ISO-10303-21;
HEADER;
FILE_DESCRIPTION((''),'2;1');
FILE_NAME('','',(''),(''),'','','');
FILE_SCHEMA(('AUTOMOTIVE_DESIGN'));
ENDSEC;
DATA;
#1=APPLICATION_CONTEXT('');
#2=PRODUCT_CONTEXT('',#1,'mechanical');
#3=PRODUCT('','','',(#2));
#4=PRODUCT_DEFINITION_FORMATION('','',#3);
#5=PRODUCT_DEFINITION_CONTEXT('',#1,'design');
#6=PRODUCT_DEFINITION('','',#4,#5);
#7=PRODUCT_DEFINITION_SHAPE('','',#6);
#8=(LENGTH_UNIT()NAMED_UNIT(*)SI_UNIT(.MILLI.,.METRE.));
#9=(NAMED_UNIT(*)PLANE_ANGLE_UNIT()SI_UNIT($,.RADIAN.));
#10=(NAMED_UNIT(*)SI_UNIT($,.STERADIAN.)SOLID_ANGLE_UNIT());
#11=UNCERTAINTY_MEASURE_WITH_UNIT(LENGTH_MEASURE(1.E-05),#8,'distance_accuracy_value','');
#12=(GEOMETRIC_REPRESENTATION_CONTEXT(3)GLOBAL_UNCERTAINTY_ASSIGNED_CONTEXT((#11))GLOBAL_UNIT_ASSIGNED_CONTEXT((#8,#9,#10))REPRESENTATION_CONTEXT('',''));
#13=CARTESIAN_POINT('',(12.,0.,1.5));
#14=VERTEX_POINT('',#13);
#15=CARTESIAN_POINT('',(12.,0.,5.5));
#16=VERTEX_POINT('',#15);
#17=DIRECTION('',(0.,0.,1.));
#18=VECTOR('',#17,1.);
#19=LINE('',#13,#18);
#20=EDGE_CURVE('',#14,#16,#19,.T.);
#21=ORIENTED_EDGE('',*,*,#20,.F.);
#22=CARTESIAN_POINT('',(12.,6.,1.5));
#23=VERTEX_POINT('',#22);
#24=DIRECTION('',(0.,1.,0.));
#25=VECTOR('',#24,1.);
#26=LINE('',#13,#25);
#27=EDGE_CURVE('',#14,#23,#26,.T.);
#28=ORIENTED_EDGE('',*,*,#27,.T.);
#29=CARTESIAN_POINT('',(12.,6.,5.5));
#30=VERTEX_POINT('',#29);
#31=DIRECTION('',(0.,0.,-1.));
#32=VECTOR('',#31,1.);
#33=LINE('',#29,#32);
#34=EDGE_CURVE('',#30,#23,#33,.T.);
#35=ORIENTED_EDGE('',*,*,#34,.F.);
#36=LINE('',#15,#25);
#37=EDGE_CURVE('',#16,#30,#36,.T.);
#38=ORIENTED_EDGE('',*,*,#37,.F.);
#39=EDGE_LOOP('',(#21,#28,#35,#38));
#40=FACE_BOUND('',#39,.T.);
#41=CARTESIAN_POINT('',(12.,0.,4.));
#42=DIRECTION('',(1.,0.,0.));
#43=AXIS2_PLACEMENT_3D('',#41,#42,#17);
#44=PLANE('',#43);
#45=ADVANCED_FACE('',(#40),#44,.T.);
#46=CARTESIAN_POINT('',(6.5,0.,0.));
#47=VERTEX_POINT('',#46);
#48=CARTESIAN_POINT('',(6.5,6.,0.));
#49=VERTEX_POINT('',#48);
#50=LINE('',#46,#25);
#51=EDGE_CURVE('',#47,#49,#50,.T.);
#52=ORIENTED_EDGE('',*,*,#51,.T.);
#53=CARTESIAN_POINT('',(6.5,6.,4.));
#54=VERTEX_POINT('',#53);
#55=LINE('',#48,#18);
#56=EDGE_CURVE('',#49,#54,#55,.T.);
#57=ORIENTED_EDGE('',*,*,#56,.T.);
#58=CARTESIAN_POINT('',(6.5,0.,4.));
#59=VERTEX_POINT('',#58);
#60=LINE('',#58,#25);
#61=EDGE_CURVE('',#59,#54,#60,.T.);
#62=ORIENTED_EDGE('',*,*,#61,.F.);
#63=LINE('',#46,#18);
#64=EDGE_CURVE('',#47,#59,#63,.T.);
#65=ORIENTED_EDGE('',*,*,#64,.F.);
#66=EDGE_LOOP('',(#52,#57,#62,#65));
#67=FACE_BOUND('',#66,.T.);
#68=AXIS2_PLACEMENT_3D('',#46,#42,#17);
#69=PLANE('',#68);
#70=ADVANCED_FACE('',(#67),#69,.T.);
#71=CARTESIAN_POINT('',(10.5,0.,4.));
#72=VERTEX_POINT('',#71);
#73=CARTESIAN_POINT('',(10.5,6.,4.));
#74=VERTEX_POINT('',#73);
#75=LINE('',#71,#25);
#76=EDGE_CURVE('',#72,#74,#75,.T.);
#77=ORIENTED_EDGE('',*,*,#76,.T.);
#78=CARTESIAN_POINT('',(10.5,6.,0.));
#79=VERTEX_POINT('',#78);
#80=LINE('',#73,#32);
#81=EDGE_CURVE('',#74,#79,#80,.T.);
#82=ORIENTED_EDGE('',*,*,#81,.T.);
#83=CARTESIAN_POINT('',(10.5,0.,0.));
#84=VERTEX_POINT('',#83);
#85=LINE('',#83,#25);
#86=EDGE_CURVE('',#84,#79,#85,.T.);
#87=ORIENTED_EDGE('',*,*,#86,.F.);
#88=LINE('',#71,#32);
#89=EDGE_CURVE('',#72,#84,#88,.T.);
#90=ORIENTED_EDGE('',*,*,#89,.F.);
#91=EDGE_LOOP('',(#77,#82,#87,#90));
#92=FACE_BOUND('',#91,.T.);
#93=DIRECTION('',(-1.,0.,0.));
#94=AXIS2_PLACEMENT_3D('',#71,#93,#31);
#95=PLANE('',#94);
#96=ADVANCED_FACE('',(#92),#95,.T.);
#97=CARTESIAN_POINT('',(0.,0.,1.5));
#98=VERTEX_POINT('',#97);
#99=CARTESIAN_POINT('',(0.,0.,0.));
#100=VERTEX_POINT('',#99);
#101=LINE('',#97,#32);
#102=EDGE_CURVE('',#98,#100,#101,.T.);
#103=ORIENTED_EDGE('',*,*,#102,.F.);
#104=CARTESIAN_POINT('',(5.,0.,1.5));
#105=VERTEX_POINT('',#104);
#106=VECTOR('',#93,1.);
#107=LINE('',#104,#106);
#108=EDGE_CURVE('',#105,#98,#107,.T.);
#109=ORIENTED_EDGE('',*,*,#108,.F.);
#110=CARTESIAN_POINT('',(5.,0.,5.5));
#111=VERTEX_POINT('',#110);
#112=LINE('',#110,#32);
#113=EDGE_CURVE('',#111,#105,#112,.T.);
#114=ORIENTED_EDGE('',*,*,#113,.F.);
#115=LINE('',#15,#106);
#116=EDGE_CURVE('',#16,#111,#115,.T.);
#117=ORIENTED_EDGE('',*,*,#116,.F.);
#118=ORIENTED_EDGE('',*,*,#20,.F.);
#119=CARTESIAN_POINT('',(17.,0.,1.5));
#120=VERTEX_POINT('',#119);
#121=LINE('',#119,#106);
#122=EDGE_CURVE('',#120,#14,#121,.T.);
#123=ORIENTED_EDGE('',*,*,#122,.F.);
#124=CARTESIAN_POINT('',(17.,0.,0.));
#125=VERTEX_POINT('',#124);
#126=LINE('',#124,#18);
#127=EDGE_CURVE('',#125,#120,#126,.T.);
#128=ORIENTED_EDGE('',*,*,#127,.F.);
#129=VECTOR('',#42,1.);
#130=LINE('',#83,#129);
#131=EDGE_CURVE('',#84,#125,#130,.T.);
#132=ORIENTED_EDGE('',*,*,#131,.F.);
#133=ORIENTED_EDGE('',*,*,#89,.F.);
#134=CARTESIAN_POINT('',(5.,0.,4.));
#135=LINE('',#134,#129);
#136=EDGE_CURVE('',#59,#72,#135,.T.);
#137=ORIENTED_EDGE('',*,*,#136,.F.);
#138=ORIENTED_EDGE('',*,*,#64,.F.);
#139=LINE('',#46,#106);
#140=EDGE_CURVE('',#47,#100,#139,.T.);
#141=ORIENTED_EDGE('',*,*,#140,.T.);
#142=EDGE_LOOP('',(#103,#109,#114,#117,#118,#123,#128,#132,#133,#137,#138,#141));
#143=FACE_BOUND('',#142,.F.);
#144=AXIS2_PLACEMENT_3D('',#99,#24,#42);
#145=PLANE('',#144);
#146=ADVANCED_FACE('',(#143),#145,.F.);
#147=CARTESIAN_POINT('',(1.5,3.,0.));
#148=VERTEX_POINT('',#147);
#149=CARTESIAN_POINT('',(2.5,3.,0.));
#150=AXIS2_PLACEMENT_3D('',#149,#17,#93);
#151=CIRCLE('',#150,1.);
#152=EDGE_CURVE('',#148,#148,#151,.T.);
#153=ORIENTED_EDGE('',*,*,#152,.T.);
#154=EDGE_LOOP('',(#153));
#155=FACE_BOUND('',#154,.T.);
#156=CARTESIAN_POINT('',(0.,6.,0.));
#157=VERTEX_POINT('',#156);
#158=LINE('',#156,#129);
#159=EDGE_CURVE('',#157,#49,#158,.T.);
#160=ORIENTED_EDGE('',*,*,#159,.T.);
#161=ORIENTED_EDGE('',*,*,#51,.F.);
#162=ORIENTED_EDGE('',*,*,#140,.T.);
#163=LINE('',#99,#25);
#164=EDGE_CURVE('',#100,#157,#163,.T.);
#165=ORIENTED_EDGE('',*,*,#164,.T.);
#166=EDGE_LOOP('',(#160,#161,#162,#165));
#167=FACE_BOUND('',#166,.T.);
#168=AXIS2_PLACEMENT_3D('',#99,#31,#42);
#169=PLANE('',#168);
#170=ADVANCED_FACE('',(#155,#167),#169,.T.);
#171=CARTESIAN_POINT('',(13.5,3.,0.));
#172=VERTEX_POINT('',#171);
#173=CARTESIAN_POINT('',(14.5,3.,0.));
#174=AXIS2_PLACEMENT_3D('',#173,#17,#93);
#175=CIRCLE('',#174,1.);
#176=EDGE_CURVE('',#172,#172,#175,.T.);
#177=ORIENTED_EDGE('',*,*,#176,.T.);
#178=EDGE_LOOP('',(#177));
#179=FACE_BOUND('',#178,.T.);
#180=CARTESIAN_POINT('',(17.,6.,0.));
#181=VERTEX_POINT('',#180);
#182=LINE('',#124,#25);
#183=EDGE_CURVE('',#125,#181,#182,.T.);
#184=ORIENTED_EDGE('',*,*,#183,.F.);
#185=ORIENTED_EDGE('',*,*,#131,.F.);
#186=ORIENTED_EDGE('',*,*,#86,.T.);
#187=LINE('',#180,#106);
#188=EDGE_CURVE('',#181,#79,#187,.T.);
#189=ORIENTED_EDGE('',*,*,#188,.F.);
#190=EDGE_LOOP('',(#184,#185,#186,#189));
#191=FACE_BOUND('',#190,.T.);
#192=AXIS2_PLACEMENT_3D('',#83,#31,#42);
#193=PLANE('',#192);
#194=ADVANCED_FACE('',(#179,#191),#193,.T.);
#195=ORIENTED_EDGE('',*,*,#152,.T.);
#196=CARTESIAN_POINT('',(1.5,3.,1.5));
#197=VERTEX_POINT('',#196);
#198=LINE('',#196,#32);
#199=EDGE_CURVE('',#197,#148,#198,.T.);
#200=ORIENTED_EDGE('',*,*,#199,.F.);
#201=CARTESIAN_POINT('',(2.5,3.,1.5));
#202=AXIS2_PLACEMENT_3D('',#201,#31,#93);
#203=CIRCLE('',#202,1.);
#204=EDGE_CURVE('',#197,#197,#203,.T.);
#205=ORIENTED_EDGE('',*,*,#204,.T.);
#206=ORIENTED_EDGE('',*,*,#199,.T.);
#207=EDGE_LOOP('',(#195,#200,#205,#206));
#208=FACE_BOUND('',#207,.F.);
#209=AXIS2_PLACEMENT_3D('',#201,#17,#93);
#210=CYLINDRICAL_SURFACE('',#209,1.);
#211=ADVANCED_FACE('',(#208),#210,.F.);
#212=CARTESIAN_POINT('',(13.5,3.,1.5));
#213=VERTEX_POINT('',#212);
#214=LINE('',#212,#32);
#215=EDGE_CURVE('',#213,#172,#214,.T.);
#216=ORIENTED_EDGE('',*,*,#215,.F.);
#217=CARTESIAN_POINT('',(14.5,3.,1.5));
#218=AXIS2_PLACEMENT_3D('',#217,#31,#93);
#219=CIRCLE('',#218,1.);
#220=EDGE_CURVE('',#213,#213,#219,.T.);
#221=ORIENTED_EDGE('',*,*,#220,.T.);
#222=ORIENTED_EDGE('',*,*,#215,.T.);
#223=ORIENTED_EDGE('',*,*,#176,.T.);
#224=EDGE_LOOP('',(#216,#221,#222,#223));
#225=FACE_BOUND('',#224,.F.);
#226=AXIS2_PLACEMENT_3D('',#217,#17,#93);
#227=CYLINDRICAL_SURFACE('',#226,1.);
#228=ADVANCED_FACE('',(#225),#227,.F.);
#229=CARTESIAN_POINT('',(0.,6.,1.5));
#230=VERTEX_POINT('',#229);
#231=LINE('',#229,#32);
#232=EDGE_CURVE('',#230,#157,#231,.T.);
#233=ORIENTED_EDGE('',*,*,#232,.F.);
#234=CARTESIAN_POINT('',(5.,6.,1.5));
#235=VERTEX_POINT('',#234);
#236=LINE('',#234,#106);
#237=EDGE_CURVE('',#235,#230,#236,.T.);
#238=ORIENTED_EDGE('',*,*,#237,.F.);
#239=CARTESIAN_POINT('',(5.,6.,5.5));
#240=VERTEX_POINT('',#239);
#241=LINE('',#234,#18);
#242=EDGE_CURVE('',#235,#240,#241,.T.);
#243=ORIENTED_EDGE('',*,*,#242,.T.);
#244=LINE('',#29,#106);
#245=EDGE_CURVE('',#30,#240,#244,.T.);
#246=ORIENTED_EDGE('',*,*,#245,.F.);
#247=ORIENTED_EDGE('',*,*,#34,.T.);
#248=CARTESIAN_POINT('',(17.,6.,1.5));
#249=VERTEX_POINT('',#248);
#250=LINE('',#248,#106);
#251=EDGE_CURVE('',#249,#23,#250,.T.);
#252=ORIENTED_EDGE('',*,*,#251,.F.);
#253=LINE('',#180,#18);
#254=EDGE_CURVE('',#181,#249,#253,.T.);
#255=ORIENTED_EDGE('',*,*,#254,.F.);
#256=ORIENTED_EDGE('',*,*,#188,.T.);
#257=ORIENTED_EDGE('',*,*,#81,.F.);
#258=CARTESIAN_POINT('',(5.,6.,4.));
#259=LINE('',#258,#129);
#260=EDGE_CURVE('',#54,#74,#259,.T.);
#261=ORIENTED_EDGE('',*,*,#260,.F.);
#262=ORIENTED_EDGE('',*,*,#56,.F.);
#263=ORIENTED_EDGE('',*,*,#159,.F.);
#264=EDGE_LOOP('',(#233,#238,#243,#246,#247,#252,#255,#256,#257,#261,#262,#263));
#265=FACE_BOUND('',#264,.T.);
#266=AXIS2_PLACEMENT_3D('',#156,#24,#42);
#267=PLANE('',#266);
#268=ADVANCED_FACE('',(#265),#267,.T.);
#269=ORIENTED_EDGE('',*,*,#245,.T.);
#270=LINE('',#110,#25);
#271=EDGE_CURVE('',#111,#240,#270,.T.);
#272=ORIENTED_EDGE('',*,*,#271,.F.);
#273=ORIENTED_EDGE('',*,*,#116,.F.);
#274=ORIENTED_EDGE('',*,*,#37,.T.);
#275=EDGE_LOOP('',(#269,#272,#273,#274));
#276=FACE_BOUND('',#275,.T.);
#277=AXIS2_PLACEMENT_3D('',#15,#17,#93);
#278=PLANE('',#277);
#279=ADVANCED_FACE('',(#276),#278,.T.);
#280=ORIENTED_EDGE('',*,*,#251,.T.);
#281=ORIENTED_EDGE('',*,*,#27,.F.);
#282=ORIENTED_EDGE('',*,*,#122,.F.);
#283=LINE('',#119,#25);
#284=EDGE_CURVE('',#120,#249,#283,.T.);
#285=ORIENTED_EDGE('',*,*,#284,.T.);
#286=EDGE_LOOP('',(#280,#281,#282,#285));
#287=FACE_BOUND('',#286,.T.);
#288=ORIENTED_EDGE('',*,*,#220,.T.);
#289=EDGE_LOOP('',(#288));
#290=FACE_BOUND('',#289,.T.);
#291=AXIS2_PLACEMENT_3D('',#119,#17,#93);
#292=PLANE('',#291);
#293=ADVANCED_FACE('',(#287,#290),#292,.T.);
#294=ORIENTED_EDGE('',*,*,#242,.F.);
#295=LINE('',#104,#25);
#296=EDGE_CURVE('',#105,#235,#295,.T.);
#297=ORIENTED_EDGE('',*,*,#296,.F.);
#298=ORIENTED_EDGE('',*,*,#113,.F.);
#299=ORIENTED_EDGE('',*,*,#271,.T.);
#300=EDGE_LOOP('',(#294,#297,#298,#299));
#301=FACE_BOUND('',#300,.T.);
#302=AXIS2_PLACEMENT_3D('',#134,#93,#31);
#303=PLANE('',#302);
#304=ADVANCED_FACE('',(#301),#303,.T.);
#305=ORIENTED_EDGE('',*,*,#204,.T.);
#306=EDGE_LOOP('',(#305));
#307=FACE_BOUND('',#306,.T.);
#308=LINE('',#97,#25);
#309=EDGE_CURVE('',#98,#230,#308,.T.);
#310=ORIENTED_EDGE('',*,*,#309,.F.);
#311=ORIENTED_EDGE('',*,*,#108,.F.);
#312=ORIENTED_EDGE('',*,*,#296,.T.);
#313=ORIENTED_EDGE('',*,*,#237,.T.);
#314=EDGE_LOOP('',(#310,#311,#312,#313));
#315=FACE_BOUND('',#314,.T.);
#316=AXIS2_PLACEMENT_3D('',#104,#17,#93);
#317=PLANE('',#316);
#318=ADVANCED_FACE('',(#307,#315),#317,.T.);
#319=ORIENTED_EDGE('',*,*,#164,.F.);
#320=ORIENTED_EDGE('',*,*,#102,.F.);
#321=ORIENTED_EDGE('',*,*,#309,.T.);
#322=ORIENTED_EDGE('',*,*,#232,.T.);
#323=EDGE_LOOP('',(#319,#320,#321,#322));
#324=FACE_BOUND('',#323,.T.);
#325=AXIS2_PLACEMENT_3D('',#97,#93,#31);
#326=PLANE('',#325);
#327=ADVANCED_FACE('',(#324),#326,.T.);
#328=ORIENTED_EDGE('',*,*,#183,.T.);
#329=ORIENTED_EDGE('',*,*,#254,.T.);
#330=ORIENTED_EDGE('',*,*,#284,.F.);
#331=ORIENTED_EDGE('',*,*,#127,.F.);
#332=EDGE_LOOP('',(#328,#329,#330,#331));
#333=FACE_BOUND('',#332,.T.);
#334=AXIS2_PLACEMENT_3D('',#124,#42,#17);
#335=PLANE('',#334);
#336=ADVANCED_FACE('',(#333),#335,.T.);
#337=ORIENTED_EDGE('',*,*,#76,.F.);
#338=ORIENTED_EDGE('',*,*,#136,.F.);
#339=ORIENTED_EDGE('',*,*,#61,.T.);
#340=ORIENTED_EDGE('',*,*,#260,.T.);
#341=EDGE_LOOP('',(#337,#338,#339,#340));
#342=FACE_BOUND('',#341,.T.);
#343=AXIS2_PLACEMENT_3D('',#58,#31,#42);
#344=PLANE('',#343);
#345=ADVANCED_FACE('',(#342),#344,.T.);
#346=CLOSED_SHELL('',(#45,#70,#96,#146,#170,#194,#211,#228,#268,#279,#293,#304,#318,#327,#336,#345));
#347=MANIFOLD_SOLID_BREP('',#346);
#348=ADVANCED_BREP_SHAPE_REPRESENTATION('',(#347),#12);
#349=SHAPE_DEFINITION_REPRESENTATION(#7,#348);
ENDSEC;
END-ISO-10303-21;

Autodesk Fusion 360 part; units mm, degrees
sketch "Sketch1" plane through (0, 0, 0) normal (0, 1, 0) x (1, 0, 0)
  line L0 (0, 0) -> (5, 0)
  line L1 (5, 0) -> (5, -1.5)
  line L2 (5, -1.5) -> (0, -1.5)
  line L3 (0, -1.5) -> (0, 0)
  line L4 (5, 0) -> (6.5, 0)
  line L5 (6.5, 0) -> (6.5, -4)
  line L6 (6.5, -4) -> (5, -4)
  line L7 (5, -4) -> (5, 0)
  line L8 (5, -4) -> (12, -4)
  line L9 (12, -4) -> (12, -5.5)
  line L10 (12, -5.5) -> (5, -5.5)
  line L11 (5, -5.5) -> (5, -4)
  line L12 (12, -4) -> (10.5, -4)
  line L13 (10.5, -4) -> (10.5, 0)
  line L14 (10.5, 0) -> (12, 0)
  line L15 (12, 0) -> (12, -4)
  line L16 (12, 0) -> (17, 0)
  line L17 (17, 0) -> (17, -1.5)
  line L18 (17, -1.5) -> (12, -1.5)
  line L19 (12, -1.5) -> (12, 0)
  dimension "d1" = 5
  dimension "d2" = 1.5
  dimension "d3" = 1.5
  dimension "d4" = 4
  dimension "d5" = 7
  dimension "d6" = 1.5
  dimension "d7" = 1.5
  dimension "d8" = 4
  dimension "d9" = 5
  dimension "d10" = 1.5
extrude "Extrude1" add sketch "Sketch1" along normal blind 6
sketch "Sketch2" plane through (0, 0, 1.5) normal (0, 0, 1) x (-1, 0, 0)
  line L0 (0, 0) -> (-5, 0)
  line L1 (-5, 0) -> (-5, -6)
  line L2 (-5, -6) -> (0, -6)
  line L3 (0, -6) -> (0, 0)
  line L4 (0, -6) -> (-5, 0)
  line L5 (-12, -6) -> (-17, 0)
  circle A0 centre (-2.5, -3) radius 1
  circle A1 centre (-14.5, -3) radius 1
  point P0 (-2.5, -3)
  point P1 (-14.5, -3)
  dimension "d13" = 2
  dimension "d14" = 2
extrude "Extrude2" cut sketch "Sketch2" against normal blind 2 contours L4 A0 | L4 A0 | L5 A1 | L5 A1
sketch "Sketch3" plane through (0, 0, 0) normal (0, 1, 0) x (1, 0, 0)
